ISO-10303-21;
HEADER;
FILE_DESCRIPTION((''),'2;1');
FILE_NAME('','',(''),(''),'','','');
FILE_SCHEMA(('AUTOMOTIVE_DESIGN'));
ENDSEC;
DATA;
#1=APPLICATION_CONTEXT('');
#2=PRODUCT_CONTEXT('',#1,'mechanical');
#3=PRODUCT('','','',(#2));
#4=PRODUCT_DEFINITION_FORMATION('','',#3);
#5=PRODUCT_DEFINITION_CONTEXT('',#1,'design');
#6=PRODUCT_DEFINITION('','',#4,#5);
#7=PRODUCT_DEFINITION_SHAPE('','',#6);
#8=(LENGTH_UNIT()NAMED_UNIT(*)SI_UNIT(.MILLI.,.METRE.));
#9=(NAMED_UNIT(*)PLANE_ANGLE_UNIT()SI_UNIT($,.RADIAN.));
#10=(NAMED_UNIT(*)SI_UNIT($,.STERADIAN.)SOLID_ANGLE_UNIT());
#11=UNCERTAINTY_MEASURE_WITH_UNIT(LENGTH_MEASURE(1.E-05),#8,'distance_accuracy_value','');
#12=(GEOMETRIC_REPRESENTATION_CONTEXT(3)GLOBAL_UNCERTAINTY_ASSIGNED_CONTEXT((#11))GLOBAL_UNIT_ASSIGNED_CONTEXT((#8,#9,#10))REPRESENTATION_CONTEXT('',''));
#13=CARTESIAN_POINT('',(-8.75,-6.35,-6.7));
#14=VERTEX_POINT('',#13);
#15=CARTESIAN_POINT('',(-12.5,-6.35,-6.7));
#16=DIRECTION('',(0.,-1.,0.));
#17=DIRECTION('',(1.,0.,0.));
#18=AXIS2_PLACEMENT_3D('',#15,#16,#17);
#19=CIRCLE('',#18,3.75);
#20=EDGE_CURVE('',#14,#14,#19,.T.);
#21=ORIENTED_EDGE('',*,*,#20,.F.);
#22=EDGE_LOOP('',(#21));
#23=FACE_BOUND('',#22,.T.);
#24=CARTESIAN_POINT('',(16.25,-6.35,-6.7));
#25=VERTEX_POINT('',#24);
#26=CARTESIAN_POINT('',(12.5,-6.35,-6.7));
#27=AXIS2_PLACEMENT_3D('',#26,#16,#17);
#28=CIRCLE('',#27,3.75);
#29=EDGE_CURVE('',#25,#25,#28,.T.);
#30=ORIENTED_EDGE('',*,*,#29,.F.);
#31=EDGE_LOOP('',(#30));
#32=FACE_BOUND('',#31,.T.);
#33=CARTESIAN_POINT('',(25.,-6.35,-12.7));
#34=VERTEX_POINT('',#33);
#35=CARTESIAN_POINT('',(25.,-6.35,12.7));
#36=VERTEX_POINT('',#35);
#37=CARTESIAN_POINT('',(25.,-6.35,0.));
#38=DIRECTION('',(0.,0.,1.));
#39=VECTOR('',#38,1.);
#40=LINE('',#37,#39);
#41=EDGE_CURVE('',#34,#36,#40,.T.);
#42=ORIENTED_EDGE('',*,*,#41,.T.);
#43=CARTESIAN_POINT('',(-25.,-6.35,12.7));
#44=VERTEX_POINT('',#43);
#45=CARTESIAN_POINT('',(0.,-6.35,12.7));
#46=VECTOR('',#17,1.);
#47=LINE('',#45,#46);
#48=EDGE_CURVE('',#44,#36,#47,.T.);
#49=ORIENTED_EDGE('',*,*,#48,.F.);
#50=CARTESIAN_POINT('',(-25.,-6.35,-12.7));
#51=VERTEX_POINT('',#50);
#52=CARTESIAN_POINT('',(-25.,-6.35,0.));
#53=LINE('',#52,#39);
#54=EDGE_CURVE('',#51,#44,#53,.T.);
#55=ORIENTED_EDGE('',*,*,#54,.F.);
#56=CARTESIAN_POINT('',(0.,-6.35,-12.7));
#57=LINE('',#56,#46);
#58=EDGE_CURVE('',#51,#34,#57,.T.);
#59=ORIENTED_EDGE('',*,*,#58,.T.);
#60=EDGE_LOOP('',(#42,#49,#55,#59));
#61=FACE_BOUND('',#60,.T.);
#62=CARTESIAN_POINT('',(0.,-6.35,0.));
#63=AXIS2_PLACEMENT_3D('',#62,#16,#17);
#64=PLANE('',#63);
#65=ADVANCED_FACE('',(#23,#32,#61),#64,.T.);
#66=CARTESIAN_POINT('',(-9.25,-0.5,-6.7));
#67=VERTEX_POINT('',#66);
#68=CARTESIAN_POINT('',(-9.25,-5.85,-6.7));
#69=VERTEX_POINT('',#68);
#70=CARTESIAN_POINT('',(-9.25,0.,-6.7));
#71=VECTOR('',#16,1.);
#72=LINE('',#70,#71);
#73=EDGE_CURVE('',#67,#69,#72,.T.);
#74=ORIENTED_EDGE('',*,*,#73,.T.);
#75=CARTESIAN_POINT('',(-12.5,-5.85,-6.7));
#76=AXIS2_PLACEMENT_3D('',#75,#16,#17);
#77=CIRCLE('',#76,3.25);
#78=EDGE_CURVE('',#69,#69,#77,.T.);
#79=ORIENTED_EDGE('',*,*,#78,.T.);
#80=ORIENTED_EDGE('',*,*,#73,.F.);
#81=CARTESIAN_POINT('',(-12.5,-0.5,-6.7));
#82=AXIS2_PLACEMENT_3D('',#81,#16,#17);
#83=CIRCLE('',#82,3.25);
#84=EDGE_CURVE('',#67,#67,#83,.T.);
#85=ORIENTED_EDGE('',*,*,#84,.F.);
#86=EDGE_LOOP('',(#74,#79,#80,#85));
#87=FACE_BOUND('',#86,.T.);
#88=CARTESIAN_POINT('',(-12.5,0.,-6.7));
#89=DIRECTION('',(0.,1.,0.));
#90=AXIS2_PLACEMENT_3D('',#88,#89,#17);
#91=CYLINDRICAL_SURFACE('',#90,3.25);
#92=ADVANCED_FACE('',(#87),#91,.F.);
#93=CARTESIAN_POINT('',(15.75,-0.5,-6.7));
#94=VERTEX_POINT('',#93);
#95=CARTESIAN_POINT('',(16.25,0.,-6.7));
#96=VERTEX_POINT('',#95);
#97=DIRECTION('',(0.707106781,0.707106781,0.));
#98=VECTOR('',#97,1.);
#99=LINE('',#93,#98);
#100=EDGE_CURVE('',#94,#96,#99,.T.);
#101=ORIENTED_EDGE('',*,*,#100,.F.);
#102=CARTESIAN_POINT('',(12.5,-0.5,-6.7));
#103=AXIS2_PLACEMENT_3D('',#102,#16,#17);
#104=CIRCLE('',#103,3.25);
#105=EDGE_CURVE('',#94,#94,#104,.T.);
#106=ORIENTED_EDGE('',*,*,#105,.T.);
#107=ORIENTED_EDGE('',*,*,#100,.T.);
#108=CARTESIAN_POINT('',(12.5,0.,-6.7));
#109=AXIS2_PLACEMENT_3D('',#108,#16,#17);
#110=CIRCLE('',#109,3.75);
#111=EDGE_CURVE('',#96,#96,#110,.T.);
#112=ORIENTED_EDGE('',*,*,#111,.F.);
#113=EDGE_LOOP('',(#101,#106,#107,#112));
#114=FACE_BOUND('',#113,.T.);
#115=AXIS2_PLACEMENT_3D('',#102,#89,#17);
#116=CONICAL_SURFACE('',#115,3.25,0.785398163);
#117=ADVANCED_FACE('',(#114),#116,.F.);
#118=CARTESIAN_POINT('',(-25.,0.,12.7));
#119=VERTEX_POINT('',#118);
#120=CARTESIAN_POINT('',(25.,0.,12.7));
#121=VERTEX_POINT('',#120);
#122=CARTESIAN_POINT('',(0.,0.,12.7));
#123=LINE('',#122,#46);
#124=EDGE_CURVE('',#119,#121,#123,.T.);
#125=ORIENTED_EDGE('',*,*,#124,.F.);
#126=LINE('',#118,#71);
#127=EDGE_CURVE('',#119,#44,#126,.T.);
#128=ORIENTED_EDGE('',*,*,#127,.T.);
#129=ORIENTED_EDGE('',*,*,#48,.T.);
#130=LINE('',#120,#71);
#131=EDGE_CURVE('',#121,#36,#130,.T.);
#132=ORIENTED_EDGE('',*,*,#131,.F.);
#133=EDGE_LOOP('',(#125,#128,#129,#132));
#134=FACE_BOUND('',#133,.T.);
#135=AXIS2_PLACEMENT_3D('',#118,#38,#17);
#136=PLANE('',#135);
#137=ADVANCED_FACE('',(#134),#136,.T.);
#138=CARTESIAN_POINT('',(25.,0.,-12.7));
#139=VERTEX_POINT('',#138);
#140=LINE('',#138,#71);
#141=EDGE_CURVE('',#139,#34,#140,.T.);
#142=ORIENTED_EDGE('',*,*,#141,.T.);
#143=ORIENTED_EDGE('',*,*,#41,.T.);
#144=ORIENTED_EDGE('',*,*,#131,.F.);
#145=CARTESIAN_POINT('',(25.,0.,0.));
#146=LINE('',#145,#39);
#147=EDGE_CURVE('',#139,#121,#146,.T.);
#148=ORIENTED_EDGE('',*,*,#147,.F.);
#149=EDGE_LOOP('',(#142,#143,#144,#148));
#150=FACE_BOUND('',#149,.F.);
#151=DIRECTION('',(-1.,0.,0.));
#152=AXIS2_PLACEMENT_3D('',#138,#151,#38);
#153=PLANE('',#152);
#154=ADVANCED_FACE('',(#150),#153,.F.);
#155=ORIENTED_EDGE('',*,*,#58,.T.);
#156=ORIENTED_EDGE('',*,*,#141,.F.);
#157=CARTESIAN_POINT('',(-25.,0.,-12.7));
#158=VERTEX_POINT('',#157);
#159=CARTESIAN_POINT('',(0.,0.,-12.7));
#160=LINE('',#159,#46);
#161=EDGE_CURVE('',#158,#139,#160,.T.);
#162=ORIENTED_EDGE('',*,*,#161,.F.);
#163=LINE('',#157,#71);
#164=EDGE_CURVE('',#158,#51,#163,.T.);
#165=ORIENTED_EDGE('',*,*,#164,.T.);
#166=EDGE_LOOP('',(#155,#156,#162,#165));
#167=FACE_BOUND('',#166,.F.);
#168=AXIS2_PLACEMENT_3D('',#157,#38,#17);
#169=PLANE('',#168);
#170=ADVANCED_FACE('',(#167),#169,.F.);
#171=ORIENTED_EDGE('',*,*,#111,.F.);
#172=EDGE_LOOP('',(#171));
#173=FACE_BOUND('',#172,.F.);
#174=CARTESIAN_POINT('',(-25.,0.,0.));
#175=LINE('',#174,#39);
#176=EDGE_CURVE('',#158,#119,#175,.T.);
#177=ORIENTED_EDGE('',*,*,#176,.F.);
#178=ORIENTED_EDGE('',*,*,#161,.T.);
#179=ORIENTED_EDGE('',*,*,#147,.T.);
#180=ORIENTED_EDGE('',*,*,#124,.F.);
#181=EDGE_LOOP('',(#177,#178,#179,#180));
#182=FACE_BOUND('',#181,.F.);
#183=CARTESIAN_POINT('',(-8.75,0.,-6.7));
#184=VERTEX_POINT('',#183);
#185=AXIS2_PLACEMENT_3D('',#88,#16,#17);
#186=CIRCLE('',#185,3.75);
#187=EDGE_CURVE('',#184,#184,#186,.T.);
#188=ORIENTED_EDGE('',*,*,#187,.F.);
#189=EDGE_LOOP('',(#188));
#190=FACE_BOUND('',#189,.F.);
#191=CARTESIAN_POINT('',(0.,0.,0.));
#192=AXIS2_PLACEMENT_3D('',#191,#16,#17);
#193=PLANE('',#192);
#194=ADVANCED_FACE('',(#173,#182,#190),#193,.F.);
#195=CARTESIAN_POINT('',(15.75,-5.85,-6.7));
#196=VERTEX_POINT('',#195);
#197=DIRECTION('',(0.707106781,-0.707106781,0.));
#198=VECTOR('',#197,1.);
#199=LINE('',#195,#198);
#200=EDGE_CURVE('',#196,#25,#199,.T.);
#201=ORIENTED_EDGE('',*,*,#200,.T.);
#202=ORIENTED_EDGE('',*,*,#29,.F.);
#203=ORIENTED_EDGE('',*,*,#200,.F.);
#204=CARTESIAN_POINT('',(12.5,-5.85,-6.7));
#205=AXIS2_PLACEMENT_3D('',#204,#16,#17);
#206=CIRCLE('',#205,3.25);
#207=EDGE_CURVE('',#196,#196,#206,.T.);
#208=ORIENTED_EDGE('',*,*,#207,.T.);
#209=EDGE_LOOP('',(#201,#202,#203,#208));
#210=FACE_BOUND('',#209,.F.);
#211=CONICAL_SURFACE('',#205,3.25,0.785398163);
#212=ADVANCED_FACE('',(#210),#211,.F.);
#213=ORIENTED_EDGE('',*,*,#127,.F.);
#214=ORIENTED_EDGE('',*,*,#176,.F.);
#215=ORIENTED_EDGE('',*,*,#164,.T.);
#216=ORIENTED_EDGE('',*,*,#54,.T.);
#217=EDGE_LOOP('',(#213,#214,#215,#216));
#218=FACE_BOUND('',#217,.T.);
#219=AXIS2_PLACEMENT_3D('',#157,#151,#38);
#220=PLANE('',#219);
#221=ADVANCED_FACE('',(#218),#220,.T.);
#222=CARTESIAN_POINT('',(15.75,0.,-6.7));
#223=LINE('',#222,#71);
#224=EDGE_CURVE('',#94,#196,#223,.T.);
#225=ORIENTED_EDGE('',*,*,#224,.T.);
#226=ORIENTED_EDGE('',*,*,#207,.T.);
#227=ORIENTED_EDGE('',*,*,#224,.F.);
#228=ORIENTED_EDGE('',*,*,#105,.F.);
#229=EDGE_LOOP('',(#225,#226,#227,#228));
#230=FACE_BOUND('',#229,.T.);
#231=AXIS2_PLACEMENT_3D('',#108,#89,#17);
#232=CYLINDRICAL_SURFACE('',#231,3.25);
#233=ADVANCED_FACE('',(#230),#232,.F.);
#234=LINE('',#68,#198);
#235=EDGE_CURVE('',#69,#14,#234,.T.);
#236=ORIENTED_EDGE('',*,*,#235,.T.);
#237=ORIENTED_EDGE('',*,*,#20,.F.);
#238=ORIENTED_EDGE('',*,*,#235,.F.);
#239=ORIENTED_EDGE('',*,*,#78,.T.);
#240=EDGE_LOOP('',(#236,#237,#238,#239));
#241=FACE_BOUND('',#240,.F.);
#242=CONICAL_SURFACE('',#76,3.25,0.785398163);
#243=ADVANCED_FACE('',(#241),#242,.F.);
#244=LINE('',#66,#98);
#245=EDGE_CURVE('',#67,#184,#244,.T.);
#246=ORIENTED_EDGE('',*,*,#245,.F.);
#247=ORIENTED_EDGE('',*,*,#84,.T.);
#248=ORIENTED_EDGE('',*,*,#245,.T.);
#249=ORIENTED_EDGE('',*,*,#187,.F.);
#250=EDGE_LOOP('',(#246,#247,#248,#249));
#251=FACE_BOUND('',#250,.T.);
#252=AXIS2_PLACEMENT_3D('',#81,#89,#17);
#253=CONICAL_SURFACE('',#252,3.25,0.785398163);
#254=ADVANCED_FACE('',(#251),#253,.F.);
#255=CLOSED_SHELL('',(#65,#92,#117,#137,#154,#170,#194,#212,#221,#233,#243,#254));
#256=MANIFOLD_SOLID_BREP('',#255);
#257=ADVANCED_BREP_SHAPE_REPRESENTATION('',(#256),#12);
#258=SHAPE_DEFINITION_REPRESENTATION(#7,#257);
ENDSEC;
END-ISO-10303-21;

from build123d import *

# Parameters (mm, degrees)
F0_W     = 50
F0_H     = 25.4
F0_R     = 3.25
F1_DEPTH = 6.35
F2_SIZE  = 0.5


with BuildPart() as f1:
    # F0 (on Front) → F1 (new body)
    with BuildSketch(Plane.XZ):
        Rectangle(F0_W, F0_H)
        with Locations((-12.5, -6.7)):
            Circle(F0_R, mode=Mode.SUBTRACT)
        with Locations((12.5, -6.7)):
            Circle(F0_R, mode=Mode.SUBTRACT)
    extrude(amount=F1_DEPTH)

    # F2
    f2_edges = [f1.edges().sort_by_distance(p)[0] for p in [
        (-9.25, -3.175, -6.7),
        (-15.75, 0, -6.7),
        (-15.75, -6.35, -6.7),
        (15.75, -3.175, -6.7),
        (9.25, 0, -6.7),
        (9.25, -6.35, -6.7),
    ]]
    chamfer(f2_edges, length=F2_SIZE)


solid = f1.part
